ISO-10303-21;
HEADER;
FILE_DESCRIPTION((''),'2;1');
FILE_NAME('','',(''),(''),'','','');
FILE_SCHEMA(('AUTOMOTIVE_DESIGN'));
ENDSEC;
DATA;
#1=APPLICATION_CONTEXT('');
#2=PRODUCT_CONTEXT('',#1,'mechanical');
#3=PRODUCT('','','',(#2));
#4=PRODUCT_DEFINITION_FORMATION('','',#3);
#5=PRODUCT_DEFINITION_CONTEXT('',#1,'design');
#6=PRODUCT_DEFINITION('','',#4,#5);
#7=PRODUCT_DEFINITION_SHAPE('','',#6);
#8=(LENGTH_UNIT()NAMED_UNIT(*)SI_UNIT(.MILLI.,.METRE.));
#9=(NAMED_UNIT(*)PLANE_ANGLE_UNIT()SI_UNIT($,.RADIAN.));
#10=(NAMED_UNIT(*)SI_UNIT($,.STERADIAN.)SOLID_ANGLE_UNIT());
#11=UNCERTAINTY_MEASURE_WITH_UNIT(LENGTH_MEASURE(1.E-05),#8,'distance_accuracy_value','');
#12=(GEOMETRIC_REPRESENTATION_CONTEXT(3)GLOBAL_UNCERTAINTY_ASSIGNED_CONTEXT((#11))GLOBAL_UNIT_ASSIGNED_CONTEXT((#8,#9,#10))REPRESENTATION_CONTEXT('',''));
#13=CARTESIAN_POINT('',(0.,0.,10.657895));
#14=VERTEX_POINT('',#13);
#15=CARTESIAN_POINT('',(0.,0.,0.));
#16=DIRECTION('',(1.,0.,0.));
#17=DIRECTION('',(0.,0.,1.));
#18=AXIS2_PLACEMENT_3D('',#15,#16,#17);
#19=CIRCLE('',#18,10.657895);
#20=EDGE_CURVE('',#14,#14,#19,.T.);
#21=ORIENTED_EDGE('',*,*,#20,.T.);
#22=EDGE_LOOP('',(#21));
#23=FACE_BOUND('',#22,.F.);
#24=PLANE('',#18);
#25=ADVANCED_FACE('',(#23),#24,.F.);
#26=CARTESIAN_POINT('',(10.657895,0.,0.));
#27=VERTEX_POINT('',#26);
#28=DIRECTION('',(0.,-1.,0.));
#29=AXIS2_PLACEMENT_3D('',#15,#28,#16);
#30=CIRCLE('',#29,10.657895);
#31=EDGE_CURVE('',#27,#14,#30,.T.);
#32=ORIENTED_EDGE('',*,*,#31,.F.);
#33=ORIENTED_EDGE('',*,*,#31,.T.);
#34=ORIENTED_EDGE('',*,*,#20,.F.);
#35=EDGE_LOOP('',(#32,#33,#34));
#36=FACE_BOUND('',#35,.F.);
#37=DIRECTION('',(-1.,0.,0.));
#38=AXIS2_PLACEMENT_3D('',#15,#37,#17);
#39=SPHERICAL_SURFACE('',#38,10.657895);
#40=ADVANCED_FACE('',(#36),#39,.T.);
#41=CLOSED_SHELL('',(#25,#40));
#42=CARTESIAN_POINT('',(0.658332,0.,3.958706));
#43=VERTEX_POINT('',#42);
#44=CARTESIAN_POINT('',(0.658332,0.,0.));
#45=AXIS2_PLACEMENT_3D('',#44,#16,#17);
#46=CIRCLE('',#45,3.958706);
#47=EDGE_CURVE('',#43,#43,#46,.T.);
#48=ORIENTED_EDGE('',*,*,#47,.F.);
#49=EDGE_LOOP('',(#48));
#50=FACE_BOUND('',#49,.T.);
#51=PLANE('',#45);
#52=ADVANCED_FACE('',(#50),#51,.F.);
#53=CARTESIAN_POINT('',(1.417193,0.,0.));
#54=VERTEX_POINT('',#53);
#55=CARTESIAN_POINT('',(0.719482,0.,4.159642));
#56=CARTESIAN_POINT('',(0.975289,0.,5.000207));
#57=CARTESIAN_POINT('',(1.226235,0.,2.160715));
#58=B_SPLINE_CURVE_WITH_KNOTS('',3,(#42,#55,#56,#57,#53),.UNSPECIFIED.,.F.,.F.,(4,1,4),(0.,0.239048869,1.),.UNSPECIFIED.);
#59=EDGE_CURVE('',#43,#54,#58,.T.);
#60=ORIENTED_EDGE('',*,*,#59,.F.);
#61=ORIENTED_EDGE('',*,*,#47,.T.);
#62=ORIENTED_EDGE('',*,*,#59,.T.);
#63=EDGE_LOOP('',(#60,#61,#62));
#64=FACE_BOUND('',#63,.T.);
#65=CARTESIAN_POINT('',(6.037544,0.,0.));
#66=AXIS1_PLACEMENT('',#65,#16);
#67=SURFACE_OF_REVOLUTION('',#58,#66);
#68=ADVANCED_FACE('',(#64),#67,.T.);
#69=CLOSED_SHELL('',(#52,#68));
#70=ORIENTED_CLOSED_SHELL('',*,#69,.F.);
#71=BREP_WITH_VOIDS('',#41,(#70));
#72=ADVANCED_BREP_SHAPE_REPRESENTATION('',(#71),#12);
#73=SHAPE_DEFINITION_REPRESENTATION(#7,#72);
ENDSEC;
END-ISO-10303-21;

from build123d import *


with BuildPart() as f1:
    # F0 (on Front) → F1 (revolve)
    with BuildSketch(Plane.XZ):
        with BuildLine():
            ThreePointArc((10.6578953564, 0), (7.5362700797, 7.5362700797), (0, 10.6578953564))
            Line((0, 10.6578953564), (0, 0))
            Line((0, 0), (0.6583319628, 0))
            Line((0.6583319628, 0), (0.6583319628, 3.9587058127))
            add(Edge.make_bspline(
                [(0.6583319628, 3.9587058127), (0.7194823184, 4.1596419234), (0.9752892416, 5.0002069155), (1.2262350315, 2.160714764), (1.4171925141, 0)],
                knots=[0, 0, 0, 0, 0.239048869, 1, 1, 1, 1], degree=3))
            Line((1.4171925141, 0), (10.6578953564, 0))
        make_face()
    revolve(axis=Axis((6.0375439352, 0, 0), (1, 0, 0)))


solid = f1.part
